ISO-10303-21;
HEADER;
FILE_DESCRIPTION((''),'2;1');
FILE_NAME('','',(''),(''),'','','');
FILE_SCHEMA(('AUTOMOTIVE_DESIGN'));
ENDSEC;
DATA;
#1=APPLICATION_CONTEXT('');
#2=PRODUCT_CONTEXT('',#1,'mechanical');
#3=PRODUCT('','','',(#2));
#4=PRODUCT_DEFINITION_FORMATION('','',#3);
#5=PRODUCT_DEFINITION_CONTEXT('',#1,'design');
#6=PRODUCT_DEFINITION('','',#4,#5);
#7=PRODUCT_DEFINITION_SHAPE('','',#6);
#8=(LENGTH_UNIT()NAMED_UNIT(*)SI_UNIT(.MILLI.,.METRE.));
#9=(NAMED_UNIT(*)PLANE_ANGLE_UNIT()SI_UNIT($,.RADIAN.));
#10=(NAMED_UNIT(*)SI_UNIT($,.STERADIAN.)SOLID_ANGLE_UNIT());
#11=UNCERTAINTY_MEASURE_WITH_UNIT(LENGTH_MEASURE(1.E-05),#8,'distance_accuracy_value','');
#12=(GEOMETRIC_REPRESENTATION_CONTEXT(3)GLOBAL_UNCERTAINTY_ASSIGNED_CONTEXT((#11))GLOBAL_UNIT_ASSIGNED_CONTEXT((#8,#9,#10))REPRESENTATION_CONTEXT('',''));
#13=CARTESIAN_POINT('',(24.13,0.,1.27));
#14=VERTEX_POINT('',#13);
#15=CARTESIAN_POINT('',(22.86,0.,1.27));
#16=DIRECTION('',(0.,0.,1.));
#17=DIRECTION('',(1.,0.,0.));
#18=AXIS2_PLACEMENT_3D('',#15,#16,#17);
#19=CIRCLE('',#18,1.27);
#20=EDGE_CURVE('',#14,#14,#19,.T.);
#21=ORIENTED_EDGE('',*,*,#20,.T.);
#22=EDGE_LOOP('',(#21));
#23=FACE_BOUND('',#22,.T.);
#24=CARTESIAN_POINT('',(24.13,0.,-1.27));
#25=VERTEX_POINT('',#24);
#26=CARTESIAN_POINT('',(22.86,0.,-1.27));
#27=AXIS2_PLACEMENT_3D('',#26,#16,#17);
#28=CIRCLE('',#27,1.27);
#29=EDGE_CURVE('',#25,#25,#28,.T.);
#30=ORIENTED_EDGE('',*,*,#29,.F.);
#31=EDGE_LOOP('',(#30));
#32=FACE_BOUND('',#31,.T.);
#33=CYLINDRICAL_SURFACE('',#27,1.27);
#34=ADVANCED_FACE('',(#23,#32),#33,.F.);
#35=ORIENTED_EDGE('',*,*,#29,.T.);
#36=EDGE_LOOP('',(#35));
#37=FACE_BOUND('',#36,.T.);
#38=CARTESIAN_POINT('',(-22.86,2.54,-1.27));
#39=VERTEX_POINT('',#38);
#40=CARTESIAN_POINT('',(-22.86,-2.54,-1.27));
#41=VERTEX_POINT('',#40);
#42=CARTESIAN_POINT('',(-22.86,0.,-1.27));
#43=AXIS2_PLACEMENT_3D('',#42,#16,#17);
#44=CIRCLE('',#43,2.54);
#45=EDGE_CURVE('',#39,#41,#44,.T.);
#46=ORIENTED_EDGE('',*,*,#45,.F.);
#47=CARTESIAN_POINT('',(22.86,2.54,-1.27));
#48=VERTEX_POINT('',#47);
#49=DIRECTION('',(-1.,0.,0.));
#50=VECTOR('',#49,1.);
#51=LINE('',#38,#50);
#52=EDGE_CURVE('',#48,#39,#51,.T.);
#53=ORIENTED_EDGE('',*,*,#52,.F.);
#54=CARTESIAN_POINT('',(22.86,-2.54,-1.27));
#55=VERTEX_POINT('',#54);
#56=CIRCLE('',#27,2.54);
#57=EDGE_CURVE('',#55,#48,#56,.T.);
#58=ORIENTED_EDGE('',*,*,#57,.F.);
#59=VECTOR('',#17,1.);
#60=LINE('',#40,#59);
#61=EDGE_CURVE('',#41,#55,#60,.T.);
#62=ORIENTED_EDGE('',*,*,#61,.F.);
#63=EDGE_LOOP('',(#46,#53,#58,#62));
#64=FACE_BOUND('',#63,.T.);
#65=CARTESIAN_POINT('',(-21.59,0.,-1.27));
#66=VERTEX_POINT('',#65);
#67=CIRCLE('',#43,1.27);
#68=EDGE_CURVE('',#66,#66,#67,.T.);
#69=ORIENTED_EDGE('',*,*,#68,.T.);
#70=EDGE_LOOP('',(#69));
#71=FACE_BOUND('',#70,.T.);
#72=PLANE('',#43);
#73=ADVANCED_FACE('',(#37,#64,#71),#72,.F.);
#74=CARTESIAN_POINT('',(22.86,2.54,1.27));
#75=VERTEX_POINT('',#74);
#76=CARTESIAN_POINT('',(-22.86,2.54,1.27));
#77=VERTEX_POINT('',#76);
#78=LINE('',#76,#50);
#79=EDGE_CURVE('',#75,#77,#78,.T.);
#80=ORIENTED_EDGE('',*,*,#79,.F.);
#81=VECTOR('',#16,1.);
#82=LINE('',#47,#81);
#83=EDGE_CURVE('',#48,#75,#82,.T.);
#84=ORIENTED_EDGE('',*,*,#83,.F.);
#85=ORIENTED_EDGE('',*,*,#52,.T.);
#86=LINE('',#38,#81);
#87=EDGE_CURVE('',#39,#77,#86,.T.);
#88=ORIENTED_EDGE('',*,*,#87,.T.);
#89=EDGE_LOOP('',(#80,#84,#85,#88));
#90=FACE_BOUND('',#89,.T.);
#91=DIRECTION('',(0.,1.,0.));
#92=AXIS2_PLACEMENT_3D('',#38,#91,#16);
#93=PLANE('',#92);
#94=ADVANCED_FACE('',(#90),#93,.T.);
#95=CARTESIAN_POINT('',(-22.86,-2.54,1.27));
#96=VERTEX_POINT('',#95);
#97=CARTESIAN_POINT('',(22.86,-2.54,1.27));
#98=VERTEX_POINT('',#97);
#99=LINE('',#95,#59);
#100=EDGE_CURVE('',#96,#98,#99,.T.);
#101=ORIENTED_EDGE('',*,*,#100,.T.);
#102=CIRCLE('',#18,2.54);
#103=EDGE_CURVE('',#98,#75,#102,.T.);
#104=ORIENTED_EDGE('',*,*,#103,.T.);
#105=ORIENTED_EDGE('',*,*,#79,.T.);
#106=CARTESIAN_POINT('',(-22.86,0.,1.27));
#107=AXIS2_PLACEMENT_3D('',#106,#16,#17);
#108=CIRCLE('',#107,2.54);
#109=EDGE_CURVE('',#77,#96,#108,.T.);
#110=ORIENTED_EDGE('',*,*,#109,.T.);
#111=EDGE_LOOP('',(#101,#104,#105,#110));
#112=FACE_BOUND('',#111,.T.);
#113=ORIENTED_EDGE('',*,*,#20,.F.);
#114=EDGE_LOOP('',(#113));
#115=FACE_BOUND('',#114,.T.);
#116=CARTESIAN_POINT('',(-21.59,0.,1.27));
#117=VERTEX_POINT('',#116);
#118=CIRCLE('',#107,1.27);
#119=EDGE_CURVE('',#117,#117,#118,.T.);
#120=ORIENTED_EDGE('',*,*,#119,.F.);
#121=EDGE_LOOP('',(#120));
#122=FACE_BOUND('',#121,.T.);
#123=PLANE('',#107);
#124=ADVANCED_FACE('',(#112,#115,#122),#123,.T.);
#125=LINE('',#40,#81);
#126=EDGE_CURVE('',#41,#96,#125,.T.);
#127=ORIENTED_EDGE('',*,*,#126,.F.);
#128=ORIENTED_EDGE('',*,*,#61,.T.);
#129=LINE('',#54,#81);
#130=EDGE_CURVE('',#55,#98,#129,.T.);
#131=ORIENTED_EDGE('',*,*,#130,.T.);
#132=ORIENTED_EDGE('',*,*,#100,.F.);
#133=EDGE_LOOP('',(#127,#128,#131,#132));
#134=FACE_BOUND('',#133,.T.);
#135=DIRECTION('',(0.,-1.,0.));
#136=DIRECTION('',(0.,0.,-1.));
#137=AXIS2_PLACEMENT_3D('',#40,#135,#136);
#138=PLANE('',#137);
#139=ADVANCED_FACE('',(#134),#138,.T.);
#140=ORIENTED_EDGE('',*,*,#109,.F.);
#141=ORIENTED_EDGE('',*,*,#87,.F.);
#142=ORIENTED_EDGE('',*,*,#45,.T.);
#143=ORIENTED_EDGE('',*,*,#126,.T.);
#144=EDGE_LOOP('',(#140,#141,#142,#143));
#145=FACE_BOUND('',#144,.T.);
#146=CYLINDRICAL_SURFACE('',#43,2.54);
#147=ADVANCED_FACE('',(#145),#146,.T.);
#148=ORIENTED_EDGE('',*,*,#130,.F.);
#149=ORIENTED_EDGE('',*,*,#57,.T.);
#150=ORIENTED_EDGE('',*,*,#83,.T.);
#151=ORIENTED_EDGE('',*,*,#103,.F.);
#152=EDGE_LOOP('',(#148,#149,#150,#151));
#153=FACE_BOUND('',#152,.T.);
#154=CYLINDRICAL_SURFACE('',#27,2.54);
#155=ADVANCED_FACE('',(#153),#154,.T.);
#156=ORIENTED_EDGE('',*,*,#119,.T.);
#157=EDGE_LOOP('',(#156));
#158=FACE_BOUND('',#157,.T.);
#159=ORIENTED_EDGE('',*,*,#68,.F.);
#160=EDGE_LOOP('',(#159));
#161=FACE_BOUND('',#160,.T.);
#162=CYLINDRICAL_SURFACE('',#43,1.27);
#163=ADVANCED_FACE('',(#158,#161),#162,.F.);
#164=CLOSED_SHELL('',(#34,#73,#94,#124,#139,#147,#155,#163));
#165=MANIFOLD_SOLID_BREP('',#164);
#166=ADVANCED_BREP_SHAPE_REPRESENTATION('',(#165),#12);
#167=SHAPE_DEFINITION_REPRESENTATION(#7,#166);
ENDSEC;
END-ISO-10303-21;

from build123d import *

# Parameters (mm, degrees)
BOSS_EXTRUDE1_DEPTH      = 1.27
BOSS_EXTRUDE1_DEPTH_BACK = 1.27
SKETCH1_R                = 1.27


with BuildPart() as part:
    # Sketch1 → Boss-Extrude1 (new, two sides: drawn at the far end of the back side and taken through both)
    with BuildSketch(Plane.XY.offset(-BOSS_EXTRUDE1_DEPTH_BACK)):
        with BuildLine():
            Line((-22.86, 2.54), (22.86, 2.54))
            ThreePointArc((22.86, 2.54), (25.4, 0), (22.86, -2.54))
            Line((22.86, -2.54), (-22.86, -2.54))
            ThreePointArc((-22.86, -2.54), (-25.4, 0), (-22.86, 2.54))
        make_face()
        with Locations((-22.86, 0)):
            Circle(SKETCH1_R, mode=Mode.SUBTRACT)
        with Locations((22.86, 0)):
            Circle(SKETCH1_R, mode=Mode.SUBTRACT)
    extrude(amount=BOSS_EXTRUDE1_DEPTH + BOSS_EXTRUDE1_DEPTH_BACK)


solid = part.part
